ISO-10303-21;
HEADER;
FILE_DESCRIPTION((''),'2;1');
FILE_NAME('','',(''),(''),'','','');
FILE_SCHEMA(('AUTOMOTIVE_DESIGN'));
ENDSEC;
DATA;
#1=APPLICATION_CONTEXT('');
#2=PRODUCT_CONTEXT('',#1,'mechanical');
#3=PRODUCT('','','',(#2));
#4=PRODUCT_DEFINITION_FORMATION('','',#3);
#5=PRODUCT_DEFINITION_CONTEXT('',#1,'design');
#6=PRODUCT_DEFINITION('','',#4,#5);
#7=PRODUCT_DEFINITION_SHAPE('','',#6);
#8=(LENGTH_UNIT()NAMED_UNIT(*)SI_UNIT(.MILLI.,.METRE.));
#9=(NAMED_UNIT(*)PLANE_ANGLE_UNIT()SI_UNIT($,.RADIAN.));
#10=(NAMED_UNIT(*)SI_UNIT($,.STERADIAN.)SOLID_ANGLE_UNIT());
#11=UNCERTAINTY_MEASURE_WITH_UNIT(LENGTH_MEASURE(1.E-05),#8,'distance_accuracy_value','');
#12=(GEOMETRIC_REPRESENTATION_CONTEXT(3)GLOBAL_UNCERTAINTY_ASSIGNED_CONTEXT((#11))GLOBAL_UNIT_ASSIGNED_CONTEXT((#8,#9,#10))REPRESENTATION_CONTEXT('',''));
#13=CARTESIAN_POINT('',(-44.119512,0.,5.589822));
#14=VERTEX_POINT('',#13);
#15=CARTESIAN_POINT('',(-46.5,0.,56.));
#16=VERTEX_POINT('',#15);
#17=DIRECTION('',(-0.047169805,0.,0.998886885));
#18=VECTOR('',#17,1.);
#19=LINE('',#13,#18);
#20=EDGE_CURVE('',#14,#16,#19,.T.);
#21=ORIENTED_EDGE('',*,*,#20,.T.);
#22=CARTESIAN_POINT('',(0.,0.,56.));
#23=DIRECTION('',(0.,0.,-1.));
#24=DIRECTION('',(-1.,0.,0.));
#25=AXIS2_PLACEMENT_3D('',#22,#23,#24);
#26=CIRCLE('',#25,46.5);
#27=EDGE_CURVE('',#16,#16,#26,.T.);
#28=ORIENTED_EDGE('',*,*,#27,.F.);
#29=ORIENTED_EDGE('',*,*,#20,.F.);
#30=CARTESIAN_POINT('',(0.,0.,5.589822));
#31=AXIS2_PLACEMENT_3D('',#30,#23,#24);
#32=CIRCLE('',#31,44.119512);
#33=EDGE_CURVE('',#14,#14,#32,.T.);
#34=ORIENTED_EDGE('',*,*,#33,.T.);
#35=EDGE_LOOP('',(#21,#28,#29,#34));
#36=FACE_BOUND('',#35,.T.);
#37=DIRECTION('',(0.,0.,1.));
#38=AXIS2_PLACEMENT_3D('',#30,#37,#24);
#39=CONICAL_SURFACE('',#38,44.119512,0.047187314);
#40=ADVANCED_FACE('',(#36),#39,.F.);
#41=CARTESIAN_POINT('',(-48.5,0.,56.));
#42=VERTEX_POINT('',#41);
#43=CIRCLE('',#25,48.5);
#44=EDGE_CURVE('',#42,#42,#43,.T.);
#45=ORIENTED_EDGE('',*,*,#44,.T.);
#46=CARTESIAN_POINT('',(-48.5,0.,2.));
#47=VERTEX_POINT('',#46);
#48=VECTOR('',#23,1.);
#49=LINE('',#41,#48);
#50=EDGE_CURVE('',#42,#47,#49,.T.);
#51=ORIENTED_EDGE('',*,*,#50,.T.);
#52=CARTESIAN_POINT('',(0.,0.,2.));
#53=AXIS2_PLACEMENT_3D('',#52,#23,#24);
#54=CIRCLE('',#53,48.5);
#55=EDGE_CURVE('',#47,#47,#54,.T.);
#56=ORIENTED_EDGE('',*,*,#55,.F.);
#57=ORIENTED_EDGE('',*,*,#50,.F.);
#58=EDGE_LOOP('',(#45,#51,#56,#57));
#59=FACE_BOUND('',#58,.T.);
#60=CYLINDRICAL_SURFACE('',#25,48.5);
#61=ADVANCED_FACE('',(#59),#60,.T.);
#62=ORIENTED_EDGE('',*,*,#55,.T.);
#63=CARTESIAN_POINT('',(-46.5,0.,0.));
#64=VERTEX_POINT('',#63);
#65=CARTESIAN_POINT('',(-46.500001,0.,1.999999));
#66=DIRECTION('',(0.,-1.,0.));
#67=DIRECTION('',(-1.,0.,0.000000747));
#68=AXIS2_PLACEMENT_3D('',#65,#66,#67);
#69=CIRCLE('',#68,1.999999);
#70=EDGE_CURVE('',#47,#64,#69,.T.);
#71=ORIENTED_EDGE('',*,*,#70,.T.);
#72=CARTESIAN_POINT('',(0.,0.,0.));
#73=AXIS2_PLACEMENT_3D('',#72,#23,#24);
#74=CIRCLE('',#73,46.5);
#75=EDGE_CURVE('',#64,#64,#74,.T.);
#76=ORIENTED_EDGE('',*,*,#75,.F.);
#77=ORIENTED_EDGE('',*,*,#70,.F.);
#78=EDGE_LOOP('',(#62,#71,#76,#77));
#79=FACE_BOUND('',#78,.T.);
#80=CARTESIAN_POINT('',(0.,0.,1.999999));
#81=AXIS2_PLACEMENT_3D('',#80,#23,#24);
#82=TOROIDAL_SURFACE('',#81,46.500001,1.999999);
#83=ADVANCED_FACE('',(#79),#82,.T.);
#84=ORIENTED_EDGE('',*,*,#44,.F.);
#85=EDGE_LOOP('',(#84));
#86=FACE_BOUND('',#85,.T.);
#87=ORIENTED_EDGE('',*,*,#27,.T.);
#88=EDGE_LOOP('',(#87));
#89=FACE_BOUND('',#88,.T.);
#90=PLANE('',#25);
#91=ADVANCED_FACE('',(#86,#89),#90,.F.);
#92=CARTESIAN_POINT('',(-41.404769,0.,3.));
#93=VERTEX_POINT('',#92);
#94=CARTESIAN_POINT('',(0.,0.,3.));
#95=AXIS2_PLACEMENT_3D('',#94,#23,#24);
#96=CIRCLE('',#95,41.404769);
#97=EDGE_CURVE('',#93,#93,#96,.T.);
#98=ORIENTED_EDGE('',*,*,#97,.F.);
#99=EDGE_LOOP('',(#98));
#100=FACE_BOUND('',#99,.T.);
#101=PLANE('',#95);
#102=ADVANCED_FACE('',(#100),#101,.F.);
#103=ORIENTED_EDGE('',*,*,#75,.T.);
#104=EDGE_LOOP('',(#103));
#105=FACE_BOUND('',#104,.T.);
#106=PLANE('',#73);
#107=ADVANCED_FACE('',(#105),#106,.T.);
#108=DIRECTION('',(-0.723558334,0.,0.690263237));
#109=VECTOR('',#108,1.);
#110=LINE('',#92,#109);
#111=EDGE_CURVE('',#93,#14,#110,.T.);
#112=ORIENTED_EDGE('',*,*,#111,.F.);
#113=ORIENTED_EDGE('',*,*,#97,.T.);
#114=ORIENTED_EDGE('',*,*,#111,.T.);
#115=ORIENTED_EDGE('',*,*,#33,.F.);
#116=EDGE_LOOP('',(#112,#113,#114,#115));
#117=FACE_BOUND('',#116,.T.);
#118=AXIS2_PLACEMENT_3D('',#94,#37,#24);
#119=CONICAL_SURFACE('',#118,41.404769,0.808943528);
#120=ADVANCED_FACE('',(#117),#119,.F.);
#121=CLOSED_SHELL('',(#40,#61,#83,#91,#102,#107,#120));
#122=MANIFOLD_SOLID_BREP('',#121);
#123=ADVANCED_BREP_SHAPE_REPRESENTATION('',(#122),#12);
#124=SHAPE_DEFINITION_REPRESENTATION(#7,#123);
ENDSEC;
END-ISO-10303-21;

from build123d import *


with BuildPart() as f1:
    # F0 (on Front) → F1 (revolve)
    with BuildSketch(Plane.XZ):
        Polygon((-44, 3), (-41.404769, 3), (-44.119512, 5.589822), (-44, 3.058995), align=None)
        with BuildLine():
            Line((-46.5, 0), (0, 0))
            Line((0, 0), (0, 3))
            Line((0, 3), (-41.404769, 3))
            Line((-41.404769, 3), (-44, 3))
            Line((-44, 3), (-44, 3.058995))
            Line((-44, 3.058995), (-44.119512, 5.589822))
            Line((-44.119512, 5.589822), (-46.5, 56))
            Line((-46.5, 56), (-48.5, 56))
            Line((-48.5, 56), (-48.5, 2))
            ThreePointArc((-48.5, 2), (-47.914214, 0.585786), (-46.5, 0))
        make_face()
    revolve(axis=Axis((0, 0, 1.5), (0, 0, -1)))


solid = f1.part
